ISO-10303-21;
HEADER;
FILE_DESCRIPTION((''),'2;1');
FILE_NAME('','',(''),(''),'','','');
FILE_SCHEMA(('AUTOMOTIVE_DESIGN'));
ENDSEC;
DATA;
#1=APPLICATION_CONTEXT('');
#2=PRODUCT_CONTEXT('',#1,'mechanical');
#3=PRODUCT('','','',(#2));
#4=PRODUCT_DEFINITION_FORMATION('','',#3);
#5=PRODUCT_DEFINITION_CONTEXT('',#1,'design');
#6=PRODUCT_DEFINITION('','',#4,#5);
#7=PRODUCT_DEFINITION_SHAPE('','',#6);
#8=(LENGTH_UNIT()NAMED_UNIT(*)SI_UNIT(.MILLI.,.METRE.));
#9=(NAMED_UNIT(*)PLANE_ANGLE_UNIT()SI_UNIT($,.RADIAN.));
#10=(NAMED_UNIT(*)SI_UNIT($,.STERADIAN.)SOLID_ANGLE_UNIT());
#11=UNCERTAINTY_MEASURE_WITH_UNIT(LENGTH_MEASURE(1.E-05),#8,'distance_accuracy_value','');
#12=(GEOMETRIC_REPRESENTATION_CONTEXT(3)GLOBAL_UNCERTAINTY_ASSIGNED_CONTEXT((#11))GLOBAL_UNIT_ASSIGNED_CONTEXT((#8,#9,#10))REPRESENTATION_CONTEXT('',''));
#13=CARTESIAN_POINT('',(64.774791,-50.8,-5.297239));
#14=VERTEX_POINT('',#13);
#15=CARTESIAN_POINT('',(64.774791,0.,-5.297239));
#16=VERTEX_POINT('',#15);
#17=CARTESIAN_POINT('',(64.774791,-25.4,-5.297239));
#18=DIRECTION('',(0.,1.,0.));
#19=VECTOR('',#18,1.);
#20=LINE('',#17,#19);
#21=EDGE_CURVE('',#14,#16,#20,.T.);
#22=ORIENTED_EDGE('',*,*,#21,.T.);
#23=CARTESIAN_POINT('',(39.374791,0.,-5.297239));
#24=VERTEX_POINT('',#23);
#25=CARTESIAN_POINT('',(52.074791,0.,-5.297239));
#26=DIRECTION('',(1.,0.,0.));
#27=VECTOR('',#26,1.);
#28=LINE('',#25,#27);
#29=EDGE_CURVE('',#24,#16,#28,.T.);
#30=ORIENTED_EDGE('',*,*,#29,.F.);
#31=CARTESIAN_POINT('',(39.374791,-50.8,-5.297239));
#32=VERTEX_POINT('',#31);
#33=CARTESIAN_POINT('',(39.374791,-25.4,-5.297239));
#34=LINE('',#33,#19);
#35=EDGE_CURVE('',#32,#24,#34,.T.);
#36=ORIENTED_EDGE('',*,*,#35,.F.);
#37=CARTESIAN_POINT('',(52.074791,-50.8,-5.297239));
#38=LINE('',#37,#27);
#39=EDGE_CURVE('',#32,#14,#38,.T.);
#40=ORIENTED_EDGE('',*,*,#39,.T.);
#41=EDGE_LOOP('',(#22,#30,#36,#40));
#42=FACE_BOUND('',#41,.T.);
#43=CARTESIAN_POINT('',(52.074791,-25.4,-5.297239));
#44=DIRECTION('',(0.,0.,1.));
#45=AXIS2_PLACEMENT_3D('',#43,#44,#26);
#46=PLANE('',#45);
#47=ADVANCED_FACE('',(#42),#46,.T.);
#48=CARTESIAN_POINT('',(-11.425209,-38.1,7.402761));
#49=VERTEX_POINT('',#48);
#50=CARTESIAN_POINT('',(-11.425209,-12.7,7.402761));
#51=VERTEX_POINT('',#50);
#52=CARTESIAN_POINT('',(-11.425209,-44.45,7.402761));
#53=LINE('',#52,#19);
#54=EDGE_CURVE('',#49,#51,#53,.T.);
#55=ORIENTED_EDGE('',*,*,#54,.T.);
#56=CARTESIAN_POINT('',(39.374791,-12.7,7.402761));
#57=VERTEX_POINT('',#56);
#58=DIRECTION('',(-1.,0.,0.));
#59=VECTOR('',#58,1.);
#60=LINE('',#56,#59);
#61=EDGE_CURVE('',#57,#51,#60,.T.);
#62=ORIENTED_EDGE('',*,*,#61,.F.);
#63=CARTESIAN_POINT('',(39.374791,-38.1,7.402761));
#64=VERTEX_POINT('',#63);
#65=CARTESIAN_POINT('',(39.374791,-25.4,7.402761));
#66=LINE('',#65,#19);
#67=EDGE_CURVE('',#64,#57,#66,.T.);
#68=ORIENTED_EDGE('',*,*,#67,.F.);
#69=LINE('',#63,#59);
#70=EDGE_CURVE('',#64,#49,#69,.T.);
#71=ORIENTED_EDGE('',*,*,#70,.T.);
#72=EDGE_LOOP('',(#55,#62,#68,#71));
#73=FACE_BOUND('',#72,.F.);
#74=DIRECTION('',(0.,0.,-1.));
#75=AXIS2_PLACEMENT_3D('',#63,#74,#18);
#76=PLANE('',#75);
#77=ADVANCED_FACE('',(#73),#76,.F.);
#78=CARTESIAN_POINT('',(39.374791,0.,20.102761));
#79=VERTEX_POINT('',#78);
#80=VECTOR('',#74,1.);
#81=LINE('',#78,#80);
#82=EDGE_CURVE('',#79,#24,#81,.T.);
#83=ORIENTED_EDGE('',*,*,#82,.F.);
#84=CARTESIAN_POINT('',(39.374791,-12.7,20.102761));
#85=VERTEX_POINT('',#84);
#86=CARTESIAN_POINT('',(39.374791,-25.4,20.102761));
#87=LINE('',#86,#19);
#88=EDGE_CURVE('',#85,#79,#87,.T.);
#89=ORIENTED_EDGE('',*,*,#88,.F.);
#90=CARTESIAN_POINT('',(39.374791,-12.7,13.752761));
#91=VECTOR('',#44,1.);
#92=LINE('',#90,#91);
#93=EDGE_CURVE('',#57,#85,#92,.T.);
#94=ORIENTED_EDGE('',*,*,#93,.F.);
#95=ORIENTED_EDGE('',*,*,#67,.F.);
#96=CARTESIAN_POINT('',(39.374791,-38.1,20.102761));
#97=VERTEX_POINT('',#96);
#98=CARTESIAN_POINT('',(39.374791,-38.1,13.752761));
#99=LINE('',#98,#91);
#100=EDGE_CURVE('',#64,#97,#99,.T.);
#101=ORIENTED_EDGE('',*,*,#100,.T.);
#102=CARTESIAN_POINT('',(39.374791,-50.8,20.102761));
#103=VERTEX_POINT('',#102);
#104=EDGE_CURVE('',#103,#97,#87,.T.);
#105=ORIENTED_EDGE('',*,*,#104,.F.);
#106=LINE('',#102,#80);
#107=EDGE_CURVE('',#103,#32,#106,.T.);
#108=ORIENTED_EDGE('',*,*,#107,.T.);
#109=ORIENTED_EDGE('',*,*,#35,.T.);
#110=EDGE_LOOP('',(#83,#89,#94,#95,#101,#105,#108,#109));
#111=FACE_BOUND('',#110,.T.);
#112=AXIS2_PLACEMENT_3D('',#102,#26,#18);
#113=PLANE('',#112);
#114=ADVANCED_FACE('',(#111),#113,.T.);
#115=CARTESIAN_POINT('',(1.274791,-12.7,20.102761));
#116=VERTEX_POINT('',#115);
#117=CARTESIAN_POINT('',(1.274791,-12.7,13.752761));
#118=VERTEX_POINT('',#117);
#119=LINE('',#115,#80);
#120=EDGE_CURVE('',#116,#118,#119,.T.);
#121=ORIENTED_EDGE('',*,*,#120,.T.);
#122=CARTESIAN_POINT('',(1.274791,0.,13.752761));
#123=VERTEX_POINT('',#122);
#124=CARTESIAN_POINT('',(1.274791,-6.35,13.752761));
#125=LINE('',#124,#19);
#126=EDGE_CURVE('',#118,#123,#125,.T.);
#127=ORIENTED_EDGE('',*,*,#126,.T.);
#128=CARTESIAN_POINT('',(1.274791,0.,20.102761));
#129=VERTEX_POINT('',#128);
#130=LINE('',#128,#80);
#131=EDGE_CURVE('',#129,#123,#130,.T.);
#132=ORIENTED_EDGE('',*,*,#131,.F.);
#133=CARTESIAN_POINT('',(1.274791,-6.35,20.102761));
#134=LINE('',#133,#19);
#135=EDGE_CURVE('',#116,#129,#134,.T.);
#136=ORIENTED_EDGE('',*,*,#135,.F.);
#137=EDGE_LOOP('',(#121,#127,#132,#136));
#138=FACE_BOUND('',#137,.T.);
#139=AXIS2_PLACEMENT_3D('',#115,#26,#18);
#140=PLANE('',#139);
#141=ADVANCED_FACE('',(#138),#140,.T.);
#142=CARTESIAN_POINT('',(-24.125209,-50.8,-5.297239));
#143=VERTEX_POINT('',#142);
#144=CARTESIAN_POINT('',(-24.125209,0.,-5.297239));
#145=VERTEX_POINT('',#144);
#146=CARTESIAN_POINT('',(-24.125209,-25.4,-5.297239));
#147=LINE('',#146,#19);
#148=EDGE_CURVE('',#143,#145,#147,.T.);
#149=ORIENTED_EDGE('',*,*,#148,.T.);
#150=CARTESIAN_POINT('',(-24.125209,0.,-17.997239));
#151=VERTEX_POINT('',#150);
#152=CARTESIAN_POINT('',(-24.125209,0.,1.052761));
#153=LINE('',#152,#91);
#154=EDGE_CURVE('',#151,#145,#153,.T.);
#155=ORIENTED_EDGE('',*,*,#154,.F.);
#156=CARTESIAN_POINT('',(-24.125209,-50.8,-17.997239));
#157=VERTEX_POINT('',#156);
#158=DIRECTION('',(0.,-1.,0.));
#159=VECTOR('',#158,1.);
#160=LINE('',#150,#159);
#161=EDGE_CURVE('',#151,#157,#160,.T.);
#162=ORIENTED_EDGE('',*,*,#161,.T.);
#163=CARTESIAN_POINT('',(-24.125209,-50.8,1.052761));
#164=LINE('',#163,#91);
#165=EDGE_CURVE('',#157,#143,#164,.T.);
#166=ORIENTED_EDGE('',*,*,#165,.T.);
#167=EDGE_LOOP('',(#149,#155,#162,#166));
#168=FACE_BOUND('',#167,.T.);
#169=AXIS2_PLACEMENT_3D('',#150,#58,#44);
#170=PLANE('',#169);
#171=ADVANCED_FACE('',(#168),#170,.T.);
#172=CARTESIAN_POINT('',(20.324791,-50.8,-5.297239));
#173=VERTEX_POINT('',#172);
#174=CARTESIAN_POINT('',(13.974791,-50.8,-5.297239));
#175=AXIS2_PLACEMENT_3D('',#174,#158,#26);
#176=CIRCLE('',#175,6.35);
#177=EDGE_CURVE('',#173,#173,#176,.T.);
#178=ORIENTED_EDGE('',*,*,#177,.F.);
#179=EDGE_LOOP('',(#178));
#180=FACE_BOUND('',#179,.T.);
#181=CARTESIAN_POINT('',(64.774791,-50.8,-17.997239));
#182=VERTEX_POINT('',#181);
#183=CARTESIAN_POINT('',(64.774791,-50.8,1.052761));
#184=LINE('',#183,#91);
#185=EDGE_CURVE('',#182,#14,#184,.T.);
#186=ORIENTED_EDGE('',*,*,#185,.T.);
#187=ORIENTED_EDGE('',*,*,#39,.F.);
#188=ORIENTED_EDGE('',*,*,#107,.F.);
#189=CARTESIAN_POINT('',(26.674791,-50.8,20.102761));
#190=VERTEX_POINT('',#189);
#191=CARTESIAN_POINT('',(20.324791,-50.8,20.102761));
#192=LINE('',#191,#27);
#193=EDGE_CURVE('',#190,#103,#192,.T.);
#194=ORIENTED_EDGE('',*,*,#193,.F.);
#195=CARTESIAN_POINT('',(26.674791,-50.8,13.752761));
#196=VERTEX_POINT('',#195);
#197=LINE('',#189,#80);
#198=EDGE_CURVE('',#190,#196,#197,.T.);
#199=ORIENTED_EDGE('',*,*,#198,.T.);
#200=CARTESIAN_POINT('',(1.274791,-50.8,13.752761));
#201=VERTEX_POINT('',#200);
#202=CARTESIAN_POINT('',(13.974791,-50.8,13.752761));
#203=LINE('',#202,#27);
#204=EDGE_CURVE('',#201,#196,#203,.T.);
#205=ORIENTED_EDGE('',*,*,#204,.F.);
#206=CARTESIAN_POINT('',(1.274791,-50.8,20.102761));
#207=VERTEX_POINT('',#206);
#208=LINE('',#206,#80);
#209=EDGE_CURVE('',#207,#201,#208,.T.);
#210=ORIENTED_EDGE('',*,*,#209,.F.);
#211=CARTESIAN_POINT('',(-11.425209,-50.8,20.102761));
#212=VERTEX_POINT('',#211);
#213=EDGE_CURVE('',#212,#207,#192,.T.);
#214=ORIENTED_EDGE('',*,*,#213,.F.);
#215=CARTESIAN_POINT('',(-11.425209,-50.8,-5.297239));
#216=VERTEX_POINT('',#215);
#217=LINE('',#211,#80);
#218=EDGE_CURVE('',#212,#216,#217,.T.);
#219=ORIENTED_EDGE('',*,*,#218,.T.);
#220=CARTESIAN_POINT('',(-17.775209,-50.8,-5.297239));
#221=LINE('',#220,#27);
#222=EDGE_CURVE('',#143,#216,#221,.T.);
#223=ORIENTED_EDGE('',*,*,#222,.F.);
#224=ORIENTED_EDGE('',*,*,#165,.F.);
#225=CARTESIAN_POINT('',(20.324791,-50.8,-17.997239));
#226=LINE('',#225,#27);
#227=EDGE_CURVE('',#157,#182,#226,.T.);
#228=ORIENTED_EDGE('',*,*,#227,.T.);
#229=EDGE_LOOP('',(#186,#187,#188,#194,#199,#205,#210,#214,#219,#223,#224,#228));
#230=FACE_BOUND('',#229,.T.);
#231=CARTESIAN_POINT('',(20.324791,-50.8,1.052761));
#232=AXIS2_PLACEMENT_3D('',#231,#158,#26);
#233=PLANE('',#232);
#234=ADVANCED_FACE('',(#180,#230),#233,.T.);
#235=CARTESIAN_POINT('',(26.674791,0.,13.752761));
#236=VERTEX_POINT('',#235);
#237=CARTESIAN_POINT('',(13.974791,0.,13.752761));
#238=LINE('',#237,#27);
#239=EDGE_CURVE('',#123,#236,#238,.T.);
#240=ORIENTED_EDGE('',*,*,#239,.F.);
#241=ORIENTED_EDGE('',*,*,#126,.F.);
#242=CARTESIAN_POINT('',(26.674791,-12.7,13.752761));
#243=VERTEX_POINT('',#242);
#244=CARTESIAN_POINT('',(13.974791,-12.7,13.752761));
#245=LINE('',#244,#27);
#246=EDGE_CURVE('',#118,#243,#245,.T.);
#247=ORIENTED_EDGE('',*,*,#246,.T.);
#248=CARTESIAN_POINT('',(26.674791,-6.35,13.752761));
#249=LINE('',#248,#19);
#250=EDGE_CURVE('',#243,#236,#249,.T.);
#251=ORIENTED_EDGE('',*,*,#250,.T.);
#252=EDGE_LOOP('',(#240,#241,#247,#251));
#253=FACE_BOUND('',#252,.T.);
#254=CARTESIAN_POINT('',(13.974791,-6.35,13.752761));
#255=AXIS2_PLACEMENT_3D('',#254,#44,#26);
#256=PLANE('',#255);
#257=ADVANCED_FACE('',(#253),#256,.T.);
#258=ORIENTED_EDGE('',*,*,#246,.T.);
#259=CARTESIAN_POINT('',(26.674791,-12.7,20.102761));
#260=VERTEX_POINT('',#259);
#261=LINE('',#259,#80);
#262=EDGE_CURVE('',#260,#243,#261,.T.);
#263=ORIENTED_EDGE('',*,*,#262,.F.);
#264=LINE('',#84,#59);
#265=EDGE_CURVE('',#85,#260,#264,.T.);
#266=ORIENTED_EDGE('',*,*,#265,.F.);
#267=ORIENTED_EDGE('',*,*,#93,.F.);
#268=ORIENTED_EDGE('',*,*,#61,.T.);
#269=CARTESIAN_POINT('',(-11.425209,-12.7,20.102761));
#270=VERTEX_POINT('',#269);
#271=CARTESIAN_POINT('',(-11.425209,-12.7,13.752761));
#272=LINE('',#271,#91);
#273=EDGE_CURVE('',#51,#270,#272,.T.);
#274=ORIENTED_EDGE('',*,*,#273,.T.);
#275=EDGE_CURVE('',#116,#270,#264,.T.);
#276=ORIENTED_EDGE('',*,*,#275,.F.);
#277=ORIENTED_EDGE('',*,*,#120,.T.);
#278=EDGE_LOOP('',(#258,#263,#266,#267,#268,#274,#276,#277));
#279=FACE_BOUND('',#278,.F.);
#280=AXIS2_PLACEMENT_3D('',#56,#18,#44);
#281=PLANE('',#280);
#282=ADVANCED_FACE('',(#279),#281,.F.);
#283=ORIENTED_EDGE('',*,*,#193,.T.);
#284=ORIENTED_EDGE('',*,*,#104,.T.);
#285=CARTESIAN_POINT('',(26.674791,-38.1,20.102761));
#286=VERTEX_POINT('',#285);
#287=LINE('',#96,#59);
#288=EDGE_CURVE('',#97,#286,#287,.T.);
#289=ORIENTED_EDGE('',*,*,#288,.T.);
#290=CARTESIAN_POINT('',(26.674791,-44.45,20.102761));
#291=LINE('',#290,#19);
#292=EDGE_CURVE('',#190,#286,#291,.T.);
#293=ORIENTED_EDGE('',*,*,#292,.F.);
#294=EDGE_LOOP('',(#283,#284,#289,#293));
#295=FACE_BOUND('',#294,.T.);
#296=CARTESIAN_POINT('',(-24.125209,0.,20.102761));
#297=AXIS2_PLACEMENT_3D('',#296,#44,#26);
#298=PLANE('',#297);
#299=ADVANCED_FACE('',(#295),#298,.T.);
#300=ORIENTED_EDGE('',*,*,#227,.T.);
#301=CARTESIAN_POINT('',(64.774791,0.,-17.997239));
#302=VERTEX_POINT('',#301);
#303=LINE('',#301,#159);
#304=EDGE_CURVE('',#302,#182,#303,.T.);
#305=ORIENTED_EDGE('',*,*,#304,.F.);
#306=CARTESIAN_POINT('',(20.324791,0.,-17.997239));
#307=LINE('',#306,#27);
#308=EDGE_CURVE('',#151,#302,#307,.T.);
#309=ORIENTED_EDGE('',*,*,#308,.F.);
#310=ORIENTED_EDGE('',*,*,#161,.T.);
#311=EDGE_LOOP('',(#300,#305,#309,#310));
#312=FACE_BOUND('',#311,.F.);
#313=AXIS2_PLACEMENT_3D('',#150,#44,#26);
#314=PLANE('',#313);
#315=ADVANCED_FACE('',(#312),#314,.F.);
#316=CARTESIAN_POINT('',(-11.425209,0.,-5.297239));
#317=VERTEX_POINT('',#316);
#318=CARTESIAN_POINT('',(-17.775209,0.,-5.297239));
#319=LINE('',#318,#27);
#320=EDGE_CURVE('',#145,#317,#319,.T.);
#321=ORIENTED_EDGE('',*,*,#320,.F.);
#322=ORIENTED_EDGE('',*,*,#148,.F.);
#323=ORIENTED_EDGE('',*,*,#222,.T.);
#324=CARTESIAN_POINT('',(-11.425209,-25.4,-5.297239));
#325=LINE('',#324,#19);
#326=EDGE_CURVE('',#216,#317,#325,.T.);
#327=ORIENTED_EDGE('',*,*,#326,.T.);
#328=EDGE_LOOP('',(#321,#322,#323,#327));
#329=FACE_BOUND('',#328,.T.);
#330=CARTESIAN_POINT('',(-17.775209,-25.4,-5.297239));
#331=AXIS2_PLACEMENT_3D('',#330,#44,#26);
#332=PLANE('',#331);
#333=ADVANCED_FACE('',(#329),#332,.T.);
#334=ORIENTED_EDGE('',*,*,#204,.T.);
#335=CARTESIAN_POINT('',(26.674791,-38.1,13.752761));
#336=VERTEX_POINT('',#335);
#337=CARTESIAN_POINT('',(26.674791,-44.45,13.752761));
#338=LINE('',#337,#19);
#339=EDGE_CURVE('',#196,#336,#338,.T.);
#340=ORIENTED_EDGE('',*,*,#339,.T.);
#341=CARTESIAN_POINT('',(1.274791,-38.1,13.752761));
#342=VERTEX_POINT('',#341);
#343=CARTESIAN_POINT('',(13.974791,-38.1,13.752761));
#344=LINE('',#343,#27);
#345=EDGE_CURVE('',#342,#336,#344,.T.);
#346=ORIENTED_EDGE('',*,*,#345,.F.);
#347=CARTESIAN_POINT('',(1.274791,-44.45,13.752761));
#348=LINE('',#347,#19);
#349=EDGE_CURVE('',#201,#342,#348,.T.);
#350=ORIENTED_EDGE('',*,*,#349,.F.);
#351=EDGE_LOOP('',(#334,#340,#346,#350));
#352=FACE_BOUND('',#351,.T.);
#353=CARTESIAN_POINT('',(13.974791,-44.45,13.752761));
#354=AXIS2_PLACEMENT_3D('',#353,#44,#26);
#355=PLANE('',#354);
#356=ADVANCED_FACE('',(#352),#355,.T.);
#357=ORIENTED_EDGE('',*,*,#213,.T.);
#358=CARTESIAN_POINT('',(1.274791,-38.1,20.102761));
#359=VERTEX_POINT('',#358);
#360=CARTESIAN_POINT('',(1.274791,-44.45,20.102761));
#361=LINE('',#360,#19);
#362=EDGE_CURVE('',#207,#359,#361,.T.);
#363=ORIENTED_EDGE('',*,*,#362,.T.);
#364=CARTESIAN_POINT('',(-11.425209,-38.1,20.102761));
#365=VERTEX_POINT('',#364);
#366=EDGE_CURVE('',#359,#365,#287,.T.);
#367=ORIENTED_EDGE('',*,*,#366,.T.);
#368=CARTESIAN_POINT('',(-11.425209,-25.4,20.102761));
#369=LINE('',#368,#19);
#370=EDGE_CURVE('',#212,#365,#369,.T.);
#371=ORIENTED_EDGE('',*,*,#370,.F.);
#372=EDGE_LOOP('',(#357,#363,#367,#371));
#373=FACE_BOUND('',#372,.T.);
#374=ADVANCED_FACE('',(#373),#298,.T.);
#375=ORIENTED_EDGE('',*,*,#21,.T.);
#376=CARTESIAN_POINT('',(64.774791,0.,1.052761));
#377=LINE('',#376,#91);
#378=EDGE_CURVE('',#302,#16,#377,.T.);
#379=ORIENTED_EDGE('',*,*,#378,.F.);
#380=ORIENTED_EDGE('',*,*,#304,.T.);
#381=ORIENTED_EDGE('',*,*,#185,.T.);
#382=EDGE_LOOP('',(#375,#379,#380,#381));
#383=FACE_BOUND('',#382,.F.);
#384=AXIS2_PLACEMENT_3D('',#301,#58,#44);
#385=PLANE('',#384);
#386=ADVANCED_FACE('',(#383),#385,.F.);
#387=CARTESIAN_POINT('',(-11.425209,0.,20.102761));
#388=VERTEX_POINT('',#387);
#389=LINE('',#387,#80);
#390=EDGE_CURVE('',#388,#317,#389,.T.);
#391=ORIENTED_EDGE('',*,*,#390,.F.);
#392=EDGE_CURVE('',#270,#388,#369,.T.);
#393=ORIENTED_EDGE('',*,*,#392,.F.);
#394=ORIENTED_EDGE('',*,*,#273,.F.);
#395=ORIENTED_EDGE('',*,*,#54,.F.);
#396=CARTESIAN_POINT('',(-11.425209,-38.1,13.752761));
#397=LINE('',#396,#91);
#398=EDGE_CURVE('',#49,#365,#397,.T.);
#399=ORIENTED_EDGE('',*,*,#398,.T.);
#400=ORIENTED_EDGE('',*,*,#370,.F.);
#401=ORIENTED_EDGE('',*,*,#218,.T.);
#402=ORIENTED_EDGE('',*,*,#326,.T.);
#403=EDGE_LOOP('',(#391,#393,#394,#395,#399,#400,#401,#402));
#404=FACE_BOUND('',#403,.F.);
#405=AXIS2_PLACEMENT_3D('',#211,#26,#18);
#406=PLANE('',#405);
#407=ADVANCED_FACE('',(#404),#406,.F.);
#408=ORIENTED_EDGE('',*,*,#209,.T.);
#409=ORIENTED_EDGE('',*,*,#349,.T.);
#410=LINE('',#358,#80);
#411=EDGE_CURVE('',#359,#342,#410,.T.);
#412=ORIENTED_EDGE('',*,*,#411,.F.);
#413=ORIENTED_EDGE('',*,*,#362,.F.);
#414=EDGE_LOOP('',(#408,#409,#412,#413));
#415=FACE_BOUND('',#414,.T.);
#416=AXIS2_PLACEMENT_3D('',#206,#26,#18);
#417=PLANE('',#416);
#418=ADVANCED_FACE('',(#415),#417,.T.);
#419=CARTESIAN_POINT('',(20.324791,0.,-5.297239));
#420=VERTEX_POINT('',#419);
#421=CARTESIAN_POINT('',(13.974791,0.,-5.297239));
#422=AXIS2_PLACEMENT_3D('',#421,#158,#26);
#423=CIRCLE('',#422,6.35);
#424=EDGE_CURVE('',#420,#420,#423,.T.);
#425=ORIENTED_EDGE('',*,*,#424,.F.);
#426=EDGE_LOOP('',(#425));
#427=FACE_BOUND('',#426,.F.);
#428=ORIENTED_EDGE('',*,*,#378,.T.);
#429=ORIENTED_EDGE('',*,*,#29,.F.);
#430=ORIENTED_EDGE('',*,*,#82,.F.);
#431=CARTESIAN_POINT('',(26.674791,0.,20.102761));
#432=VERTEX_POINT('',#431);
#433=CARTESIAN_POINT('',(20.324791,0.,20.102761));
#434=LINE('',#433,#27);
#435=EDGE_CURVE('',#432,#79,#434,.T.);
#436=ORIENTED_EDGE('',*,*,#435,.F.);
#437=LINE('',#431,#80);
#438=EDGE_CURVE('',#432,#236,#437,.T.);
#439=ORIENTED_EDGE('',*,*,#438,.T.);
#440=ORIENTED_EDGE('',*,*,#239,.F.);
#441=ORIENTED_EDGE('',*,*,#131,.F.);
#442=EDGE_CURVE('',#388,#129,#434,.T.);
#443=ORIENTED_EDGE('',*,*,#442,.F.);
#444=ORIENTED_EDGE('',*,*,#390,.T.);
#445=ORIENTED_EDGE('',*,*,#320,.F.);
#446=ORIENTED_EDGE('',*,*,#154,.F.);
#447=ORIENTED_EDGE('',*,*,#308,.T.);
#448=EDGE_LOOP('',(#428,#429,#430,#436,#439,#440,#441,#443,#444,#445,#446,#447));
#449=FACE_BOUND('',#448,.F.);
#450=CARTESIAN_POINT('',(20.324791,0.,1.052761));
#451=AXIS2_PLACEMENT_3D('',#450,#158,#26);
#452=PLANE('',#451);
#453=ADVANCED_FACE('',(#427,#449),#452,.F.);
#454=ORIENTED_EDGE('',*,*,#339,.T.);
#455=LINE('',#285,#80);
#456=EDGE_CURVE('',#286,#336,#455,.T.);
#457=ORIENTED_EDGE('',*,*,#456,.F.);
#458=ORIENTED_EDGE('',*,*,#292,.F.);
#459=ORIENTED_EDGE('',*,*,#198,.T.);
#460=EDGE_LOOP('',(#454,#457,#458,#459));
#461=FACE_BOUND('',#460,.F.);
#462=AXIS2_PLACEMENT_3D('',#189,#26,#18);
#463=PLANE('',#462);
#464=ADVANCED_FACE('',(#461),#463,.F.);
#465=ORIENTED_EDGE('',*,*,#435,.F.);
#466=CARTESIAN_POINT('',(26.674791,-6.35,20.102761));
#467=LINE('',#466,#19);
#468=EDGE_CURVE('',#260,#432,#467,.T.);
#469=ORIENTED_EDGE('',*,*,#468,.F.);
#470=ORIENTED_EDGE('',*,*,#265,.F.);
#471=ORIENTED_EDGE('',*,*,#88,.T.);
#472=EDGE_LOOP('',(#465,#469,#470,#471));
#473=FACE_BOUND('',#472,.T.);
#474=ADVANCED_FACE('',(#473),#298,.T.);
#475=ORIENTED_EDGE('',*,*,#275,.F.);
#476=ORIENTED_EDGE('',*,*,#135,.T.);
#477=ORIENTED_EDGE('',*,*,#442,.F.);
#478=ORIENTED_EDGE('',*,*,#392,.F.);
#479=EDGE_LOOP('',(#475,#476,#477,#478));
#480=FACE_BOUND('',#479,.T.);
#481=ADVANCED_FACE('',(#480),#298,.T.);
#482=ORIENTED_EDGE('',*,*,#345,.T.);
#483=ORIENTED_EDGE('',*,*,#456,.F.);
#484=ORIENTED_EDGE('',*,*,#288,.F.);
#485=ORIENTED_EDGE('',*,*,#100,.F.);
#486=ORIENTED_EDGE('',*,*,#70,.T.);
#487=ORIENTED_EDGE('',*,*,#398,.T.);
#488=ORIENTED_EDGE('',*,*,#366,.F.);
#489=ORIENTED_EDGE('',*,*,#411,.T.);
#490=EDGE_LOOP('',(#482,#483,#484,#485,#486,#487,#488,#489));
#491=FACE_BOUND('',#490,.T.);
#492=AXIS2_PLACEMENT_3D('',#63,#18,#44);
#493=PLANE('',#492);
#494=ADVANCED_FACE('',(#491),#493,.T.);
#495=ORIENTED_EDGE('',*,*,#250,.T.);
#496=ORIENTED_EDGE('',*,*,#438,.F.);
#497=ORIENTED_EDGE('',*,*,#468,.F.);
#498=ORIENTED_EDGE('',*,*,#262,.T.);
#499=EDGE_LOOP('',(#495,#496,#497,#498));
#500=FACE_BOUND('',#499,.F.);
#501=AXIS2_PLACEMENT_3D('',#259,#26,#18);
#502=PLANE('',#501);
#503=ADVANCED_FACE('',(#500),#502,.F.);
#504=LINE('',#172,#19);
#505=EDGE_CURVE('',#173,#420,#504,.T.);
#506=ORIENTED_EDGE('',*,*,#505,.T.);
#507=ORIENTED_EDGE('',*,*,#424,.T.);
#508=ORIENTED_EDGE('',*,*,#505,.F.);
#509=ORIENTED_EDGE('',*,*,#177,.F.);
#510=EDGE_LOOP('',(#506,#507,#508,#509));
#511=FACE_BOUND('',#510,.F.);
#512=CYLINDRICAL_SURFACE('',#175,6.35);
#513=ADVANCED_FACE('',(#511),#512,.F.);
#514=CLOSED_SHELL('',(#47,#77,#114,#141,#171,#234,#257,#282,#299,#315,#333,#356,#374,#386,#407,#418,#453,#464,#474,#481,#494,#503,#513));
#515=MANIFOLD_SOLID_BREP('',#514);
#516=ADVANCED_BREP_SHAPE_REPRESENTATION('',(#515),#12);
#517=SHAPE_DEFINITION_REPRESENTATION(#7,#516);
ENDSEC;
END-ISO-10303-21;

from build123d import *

# Parameters (mm, degrees)
F0_W      = 88.9
F0_H      = 38.1
F1_DEPTH  = 50.8
F2_W      = 12.7
F2_H      = 50.8
F3_DEPTH  = 25.4
F4_W      = 25.4
F4_H      = 50.8
F5_DEPTH  = 25.4
F6_W      = 25.4
F6_H      = 12.7
F7_DEPTH  = 6.35
F8_W      = 25.4
F8_H      = 12.7
F9_DEPTH  = 6.35
F10_W     = 25.4
F10_H     = 12.7
F11_DEPTH = 63.501
F12_R     = 6.35
F13_DEPTH = 50.801


with BuildPart() as f1:
    # F0 (on Front) → F1 (new body)
    with BuildSketch(Plane.XZ):
        with Locations((20.324791, 1.052761)):
            Rectangle(F0_W, F0_H)
    extrude(amount=F1_DEPTH)

    # F2 (on face) → F3 (cut)
    with BuildSketch(Plane.XY.offset(20.102761)):
        with Locations((-17.775209, -25.4)):
            Rectangle(F2_W, F2_H)
    extrude(amount=-F3_DEPTH, mode=Mode.SUBTRACT)

    # F4 (on face) → F5 (cut)
    with BuildSketch(Plane.XY.offset(20.102761)):
        with Locations((52.074791, -25.4)):
            Rectangle(F4_W, F4_H)
    extrude(amount=-F5_DEPTH, mode=Mode.SUBTRACT)

    # F6 (on face) → F7 (cut)
    with BuildSketch(Plane.XY.offset(20.102761)):
        with Locations((13.974791, -44.45)):
            Rectangle(F6_W, F6_H)
    extrude(amount=-F7_DEPTH, mode=Mode.SUBTRACT)

    # F8 (on face) → F9 (cut)
    with BuildSketch(Plane.XY.offset(20.102761)):
        with Locations((13.974791, -6.35)):
            Rectangle(F8_W, F8_H)
    extrude(amount=-F9_DEPTH, mode=Mode.SUBTRACT)

    # F10 (on face) → F11 (cut, through all)
    with BuildSketch(Plane.YZ.offset(39.374791)):
        with Locations((-25.4, 13.752761)):
            Rectangle(F10_W, F10_H)
    extrude(amount=-F11_DEPTH, mode=Mode.SUBTRACT)

    # F12 (on face) → F13 (cut, through all)
    with BuildSketch(Plane.XZ.offset(50.8)):
        with Locations((13.974791, -5.297239)):
            Circle(F12_R)
    extrude(amount=-F13_DEPTH, mode=Mode.SUBTRACT)


solid = f1.part
